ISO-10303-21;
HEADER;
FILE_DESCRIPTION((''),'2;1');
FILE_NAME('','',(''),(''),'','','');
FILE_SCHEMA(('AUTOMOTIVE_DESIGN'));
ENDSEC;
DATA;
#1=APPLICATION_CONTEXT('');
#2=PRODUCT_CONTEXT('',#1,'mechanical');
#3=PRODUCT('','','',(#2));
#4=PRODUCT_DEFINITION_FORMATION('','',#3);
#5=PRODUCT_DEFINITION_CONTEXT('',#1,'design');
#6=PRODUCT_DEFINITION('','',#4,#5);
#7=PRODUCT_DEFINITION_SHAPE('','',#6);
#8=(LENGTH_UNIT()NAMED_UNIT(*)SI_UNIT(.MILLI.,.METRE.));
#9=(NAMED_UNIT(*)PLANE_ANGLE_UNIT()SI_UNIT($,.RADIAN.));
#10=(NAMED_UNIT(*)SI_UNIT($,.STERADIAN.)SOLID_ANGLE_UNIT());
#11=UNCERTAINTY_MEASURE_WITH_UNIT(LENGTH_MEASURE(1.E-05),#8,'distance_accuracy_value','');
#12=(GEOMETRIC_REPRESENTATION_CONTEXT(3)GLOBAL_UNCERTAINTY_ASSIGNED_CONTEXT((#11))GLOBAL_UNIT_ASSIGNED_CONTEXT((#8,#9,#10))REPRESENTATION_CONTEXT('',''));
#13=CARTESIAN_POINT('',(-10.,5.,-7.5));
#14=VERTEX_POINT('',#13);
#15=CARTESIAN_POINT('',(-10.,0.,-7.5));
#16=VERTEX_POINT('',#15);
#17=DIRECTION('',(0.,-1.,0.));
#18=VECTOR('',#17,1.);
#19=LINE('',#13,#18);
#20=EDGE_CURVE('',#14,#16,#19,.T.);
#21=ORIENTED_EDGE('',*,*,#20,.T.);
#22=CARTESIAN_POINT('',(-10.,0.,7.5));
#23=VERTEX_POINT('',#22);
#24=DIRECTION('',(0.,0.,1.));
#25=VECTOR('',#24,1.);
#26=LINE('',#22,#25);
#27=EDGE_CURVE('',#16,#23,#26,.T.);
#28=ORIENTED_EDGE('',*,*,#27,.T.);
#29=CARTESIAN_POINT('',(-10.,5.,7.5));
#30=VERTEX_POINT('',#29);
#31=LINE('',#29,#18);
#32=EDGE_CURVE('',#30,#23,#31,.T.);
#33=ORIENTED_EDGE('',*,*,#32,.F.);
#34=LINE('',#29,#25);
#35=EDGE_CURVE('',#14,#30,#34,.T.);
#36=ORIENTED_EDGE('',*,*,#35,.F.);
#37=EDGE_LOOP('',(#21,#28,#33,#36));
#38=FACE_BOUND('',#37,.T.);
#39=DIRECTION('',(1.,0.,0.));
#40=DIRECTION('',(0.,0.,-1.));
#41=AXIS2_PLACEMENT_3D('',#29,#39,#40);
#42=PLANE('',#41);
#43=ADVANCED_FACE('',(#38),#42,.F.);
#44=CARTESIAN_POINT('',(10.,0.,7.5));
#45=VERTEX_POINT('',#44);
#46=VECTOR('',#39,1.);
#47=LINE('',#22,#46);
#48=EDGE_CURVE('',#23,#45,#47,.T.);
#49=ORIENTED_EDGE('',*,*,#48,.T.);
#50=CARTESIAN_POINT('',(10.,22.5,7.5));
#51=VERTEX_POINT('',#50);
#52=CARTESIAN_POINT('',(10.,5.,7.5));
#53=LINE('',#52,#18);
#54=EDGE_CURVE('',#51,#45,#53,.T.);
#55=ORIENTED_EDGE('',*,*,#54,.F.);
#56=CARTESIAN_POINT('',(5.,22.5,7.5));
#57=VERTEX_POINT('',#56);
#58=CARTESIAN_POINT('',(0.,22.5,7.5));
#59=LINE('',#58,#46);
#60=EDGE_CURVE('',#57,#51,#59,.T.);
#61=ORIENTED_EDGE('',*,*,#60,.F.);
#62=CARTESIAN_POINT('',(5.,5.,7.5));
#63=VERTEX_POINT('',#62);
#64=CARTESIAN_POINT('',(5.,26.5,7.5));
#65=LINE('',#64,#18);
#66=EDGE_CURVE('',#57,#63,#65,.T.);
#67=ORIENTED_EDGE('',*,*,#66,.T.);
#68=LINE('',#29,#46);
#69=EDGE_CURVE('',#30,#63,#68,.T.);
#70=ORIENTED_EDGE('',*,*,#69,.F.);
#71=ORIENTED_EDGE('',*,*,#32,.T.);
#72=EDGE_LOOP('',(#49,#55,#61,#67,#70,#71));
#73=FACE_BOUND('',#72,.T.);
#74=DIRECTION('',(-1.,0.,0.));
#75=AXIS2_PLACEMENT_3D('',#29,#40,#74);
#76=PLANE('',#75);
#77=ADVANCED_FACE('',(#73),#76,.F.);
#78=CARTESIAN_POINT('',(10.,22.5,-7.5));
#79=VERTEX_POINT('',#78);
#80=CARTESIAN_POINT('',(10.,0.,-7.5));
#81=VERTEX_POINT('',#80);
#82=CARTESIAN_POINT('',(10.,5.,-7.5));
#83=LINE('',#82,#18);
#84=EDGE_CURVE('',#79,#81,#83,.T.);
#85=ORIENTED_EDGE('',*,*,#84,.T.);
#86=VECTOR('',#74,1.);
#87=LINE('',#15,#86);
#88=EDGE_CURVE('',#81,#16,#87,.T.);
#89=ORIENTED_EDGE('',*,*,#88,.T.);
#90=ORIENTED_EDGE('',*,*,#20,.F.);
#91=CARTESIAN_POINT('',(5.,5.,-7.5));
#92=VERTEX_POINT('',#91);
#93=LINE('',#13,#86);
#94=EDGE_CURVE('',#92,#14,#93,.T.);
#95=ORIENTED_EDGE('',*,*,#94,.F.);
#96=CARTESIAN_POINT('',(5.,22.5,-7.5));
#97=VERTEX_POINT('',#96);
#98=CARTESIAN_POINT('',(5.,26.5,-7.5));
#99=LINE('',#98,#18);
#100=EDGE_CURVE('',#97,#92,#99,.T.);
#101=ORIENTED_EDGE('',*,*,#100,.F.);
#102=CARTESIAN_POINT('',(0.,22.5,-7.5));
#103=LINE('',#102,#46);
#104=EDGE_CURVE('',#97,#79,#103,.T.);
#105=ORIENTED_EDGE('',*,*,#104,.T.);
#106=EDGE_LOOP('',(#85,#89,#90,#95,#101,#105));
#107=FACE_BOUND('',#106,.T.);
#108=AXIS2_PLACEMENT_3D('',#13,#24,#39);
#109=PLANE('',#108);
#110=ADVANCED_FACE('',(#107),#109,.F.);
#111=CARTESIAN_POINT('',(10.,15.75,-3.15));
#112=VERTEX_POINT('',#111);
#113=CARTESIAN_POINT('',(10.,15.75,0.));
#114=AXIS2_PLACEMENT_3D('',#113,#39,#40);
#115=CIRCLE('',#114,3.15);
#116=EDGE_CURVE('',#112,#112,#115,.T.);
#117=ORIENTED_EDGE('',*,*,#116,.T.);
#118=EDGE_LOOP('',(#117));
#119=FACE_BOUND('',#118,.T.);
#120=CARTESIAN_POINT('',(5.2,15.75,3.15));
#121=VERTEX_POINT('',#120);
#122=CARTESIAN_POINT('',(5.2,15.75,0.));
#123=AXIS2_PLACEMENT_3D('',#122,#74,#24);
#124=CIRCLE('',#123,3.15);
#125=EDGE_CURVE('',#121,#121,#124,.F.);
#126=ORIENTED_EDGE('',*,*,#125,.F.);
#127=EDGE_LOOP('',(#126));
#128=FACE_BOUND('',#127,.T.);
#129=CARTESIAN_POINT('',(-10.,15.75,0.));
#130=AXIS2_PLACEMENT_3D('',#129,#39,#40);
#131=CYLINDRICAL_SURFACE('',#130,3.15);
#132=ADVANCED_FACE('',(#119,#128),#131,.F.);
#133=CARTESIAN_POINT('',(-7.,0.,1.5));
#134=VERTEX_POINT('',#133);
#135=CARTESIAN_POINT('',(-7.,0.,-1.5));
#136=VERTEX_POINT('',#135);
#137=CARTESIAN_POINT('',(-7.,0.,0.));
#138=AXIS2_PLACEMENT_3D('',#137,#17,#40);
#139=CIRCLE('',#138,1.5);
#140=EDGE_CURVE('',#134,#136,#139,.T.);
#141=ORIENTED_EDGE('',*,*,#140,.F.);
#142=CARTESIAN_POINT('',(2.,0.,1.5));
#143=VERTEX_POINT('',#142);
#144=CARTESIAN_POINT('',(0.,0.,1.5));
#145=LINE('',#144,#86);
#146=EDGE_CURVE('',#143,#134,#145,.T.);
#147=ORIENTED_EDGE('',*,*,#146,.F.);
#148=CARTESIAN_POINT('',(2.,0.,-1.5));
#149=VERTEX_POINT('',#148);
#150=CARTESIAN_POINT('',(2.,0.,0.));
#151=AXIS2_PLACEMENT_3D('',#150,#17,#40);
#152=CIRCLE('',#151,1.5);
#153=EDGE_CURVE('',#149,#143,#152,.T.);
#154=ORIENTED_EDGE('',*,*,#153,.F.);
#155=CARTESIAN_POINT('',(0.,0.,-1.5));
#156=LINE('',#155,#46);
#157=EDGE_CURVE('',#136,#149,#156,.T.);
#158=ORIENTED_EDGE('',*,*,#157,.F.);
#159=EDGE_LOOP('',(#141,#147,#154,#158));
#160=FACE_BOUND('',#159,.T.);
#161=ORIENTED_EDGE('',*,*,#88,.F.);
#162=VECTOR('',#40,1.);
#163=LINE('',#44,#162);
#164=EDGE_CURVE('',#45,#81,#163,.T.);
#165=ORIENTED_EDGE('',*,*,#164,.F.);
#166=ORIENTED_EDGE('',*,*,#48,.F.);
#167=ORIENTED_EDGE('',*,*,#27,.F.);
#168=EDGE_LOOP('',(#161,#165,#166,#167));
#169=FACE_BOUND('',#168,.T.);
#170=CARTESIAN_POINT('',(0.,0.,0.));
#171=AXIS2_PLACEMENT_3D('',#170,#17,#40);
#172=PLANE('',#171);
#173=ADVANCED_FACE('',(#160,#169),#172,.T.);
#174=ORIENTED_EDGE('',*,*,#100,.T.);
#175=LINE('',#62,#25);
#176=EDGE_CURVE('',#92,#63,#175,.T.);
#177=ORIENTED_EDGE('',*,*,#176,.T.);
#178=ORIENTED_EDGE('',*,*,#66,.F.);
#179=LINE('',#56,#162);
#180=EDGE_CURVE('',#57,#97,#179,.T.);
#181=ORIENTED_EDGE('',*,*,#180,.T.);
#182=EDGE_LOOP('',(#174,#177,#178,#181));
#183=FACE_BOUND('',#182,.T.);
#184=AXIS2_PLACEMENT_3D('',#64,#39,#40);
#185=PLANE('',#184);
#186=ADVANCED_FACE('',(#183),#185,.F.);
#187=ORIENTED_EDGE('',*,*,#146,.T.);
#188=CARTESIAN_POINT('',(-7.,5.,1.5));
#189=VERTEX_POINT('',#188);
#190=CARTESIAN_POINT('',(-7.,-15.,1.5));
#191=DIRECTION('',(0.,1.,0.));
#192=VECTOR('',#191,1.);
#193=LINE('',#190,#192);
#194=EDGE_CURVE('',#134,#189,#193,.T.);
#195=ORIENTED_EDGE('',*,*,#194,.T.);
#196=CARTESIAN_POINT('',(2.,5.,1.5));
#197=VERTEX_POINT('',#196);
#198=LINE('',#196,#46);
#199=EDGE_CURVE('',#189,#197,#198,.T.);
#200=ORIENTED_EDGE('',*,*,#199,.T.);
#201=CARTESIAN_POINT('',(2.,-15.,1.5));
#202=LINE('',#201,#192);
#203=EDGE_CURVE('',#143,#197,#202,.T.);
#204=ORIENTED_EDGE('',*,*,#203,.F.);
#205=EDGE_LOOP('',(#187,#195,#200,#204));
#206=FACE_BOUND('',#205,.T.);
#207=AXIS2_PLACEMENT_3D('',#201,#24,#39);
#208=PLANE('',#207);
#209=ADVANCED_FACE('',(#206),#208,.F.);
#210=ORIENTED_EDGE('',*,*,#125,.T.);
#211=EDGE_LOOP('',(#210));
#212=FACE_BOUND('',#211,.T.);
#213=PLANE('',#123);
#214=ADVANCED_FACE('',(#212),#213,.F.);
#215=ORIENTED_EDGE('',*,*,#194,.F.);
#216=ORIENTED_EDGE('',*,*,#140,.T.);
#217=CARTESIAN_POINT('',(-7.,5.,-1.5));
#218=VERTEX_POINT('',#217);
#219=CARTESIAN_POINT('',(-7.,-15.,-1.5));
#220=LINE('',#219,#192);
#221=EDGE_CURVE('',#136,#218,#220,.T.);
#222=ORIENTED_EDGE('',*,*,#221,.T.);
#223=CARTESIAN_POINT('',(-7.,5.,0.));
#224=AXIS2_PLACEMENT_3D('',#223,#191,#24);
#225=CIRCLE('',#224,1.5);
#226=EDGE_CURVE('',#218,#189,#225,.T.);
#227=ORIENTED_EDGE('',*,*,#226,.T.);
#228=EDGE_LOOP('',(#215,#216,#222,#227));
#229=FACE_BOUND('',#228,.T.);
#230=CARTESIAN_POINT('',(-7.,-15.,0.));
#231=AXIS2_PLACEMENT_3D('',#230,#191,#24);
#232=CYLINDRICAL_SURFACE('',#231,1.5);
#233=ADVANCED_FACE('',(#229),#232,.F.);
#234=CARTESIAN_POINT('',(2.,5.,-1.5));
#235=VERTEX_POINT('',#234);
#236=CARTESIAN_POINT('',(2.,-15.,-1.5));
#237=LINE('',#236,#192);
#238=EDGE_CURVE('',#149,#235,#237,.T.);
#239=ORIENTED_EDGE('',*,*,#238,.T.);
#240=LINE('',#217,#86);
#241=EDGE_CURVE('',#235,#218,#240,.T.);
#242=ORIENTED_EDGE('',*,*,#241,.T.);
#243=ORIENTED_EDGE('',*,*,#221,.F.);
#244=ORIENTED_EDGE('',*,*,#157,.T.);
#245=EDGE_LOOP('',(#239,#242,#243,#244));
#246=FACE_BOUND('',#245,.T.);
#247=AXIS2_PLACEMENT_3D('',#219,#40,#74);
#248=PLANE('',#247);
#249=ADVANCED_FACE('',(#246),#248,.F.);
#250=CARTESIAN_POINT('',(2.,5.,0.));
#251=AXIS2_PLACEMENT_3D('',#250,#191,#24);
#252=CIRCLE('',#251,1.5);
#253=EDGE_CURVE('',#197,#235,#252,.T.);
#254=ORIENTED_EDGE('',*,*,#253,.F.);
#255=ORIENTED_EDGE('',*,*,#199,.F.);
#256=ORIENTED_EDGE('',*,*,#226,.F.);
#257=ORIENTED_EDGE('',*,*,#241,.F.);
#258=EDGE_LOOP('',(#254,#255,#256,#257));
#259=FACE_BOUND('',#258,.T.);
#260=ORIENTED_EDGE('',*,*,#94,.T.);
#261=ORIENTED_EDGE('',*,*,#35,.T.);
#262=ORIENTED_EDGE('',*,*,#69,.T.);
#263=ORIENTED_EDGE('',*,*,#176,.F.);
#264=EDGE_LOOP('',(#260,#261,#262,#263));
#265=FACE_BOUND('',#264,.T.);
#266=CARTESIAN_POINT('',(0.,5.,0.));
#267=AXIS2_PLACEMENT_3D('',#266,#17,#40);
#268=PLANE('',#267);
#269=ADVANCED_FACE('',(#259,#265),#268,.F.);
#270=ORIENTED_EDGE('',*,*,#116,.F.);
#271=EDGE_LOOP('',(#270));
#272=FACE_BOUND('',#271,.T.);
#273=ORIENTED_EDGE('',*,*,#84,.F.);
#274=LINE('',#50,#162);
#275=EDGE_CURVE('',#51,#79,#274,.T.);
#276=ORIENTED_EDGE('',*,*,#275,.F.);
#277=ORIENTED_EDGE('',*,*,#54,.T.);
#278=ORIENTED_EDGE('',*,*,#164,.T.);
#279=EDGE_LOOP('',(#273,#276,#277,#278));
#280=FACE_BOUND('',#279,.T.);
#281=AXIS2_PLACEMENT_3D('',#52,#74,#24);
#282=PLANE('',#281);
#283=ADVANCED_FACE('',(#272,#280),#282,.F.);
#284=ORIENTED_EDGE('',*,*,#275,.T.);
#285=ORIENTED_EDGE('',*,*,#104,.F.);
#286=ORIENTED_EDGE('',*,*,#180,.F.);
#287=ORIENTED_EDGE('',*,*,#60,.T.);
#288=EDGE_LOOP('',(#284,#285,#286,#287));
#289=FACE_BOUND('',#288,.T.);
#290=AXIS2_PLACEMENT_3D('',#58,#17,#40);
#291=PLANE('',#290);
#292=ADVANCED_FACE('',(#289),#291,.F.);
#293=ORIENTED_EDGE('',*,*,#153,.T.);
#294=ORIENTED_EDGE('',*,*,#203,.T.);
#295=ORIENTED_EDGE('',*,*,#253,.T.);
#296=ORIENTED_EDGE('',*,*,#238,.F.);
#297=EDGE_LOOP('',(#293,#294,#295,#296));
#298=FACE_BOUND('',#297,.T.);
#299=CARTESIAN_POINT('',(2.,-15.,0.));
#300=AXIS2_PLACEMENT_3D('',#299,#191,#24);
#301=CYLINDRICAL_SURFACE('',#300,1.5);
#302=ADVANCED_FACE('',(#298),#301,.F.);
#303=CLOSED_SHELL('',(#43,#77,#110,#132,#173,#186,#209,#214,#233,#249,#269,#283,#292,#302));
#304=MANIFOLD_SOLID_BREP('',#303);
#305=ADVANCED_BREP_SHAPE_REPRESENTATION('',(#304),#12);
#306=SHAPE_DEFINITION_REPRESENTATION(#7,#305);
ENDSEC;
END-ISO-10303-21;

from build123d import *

# Parameters (mm, degrees)
CROQUIS1_W              = 20
CROQUIS1_H              = 15
SALIENTE_EXTRUIR1_DEPTH = 5
CROQUIS2_W              = 5
CROQUIS2_H              = 15
SALIENTE_EXTRUIR2_DEPTH = 21.5
CROQUIS3_R              = 3.15
CORTAR_EXTRUIR1_DEPTH   = 20
CORTAR_EXTRUIR2_DEPTH   = 20
CROQUIS7_R              = 4
SALIENTE_EXTRUIR3_DEPTH = 0.2
CROQUIS8_W              = 15
CROQUIS8_H              = 4
CORTAR_EXTRUIR3_DEPTH   = 10


with BuildPart() as part:
    # Croquis1 → Saliente-Extruir1 (new body)
    with BuildSketch(Plane(origin=(0, 0, 0), x_dir=(1, 0, 0), z_dir=(0, 1, 0))):
        Rectangle(CROQUIS1_W, CROQUIS1_H)
    extrude(amount=SALIENTE_EXTRUIR1_DEPTH)

    # Croquis2 → Saliente-Extruir2 (add)
    with BuildSketch(Plane(origin=(0, 5, 0), x_dir=(1, 0, 0), z_dir=(0, 1, 0))):
        with Locations((7.5, 0)):
            Rectangle(CROQUIS2_W, CROQUIS2_H)
    extrude(amount=SALIENTE_EXTRUIR2_DEPTH)

    # Croquis3 → Cortar-Extruir1 (cut)
    with BuildSketch(Plane(origin=(10, 0, 0), x_dir=(0, 0, -1), z_dir=(1, 0, 0))):
        with Locations((0, 15.75)):
            Circle(CROQUIS3_R)
    extrude(amount=-CORTAR_EXTRUIR1_DEPTH, mode=Mode.SUBTRACT)

    # Croquis4 → Cortar-Extruir2 (cut)
    with BuildSketch(Plane(origin=(0, 5, 0), x_dir=(1, 0, 0), z_dir=(0, 1, 0))):
        with BuildLine():
            Line((-7, 1.5), (2, 1.5))
            ThreePointArc((2, 1.5), (3.5, 0), (2, -1.5))
            Line((2, -1.5), (-7, -1.5))
            ThreePointArc((-7, -1.5), (-8.5, 0), (-7, 1.5))
        make_face()
    extrude(amount=-CORTAR_EXTRUIR2_DEPTH, mode=Mode.SUBTRACT)

    # Croquis7 → Saliente-Extruir3 (add)
    with BuildSketch(Plane.ZY.offset(-5)):
        with Locations((0, 15.75)):
            Circle(CROQUIS7_R)
    extrude(amount=-SALIENTE_EXTRUIR3_DEPTH)

    # Croquis8 → Cortar-Extruir3 (cut)
    with BuildSketch(Plane(origin=(10, 0, 0), x_dir=(0, 0, -1), z_dir=(1, 0, 0))):
        with Locations((0, 24.5)):
            Rectangle(CROQUIS8_W, CROQUIS8_H)
    extrude(amount=-CORTAR_EXTRUIR3_DEPTH, mode=Mode.SUBTRACT)


solid = part.part
